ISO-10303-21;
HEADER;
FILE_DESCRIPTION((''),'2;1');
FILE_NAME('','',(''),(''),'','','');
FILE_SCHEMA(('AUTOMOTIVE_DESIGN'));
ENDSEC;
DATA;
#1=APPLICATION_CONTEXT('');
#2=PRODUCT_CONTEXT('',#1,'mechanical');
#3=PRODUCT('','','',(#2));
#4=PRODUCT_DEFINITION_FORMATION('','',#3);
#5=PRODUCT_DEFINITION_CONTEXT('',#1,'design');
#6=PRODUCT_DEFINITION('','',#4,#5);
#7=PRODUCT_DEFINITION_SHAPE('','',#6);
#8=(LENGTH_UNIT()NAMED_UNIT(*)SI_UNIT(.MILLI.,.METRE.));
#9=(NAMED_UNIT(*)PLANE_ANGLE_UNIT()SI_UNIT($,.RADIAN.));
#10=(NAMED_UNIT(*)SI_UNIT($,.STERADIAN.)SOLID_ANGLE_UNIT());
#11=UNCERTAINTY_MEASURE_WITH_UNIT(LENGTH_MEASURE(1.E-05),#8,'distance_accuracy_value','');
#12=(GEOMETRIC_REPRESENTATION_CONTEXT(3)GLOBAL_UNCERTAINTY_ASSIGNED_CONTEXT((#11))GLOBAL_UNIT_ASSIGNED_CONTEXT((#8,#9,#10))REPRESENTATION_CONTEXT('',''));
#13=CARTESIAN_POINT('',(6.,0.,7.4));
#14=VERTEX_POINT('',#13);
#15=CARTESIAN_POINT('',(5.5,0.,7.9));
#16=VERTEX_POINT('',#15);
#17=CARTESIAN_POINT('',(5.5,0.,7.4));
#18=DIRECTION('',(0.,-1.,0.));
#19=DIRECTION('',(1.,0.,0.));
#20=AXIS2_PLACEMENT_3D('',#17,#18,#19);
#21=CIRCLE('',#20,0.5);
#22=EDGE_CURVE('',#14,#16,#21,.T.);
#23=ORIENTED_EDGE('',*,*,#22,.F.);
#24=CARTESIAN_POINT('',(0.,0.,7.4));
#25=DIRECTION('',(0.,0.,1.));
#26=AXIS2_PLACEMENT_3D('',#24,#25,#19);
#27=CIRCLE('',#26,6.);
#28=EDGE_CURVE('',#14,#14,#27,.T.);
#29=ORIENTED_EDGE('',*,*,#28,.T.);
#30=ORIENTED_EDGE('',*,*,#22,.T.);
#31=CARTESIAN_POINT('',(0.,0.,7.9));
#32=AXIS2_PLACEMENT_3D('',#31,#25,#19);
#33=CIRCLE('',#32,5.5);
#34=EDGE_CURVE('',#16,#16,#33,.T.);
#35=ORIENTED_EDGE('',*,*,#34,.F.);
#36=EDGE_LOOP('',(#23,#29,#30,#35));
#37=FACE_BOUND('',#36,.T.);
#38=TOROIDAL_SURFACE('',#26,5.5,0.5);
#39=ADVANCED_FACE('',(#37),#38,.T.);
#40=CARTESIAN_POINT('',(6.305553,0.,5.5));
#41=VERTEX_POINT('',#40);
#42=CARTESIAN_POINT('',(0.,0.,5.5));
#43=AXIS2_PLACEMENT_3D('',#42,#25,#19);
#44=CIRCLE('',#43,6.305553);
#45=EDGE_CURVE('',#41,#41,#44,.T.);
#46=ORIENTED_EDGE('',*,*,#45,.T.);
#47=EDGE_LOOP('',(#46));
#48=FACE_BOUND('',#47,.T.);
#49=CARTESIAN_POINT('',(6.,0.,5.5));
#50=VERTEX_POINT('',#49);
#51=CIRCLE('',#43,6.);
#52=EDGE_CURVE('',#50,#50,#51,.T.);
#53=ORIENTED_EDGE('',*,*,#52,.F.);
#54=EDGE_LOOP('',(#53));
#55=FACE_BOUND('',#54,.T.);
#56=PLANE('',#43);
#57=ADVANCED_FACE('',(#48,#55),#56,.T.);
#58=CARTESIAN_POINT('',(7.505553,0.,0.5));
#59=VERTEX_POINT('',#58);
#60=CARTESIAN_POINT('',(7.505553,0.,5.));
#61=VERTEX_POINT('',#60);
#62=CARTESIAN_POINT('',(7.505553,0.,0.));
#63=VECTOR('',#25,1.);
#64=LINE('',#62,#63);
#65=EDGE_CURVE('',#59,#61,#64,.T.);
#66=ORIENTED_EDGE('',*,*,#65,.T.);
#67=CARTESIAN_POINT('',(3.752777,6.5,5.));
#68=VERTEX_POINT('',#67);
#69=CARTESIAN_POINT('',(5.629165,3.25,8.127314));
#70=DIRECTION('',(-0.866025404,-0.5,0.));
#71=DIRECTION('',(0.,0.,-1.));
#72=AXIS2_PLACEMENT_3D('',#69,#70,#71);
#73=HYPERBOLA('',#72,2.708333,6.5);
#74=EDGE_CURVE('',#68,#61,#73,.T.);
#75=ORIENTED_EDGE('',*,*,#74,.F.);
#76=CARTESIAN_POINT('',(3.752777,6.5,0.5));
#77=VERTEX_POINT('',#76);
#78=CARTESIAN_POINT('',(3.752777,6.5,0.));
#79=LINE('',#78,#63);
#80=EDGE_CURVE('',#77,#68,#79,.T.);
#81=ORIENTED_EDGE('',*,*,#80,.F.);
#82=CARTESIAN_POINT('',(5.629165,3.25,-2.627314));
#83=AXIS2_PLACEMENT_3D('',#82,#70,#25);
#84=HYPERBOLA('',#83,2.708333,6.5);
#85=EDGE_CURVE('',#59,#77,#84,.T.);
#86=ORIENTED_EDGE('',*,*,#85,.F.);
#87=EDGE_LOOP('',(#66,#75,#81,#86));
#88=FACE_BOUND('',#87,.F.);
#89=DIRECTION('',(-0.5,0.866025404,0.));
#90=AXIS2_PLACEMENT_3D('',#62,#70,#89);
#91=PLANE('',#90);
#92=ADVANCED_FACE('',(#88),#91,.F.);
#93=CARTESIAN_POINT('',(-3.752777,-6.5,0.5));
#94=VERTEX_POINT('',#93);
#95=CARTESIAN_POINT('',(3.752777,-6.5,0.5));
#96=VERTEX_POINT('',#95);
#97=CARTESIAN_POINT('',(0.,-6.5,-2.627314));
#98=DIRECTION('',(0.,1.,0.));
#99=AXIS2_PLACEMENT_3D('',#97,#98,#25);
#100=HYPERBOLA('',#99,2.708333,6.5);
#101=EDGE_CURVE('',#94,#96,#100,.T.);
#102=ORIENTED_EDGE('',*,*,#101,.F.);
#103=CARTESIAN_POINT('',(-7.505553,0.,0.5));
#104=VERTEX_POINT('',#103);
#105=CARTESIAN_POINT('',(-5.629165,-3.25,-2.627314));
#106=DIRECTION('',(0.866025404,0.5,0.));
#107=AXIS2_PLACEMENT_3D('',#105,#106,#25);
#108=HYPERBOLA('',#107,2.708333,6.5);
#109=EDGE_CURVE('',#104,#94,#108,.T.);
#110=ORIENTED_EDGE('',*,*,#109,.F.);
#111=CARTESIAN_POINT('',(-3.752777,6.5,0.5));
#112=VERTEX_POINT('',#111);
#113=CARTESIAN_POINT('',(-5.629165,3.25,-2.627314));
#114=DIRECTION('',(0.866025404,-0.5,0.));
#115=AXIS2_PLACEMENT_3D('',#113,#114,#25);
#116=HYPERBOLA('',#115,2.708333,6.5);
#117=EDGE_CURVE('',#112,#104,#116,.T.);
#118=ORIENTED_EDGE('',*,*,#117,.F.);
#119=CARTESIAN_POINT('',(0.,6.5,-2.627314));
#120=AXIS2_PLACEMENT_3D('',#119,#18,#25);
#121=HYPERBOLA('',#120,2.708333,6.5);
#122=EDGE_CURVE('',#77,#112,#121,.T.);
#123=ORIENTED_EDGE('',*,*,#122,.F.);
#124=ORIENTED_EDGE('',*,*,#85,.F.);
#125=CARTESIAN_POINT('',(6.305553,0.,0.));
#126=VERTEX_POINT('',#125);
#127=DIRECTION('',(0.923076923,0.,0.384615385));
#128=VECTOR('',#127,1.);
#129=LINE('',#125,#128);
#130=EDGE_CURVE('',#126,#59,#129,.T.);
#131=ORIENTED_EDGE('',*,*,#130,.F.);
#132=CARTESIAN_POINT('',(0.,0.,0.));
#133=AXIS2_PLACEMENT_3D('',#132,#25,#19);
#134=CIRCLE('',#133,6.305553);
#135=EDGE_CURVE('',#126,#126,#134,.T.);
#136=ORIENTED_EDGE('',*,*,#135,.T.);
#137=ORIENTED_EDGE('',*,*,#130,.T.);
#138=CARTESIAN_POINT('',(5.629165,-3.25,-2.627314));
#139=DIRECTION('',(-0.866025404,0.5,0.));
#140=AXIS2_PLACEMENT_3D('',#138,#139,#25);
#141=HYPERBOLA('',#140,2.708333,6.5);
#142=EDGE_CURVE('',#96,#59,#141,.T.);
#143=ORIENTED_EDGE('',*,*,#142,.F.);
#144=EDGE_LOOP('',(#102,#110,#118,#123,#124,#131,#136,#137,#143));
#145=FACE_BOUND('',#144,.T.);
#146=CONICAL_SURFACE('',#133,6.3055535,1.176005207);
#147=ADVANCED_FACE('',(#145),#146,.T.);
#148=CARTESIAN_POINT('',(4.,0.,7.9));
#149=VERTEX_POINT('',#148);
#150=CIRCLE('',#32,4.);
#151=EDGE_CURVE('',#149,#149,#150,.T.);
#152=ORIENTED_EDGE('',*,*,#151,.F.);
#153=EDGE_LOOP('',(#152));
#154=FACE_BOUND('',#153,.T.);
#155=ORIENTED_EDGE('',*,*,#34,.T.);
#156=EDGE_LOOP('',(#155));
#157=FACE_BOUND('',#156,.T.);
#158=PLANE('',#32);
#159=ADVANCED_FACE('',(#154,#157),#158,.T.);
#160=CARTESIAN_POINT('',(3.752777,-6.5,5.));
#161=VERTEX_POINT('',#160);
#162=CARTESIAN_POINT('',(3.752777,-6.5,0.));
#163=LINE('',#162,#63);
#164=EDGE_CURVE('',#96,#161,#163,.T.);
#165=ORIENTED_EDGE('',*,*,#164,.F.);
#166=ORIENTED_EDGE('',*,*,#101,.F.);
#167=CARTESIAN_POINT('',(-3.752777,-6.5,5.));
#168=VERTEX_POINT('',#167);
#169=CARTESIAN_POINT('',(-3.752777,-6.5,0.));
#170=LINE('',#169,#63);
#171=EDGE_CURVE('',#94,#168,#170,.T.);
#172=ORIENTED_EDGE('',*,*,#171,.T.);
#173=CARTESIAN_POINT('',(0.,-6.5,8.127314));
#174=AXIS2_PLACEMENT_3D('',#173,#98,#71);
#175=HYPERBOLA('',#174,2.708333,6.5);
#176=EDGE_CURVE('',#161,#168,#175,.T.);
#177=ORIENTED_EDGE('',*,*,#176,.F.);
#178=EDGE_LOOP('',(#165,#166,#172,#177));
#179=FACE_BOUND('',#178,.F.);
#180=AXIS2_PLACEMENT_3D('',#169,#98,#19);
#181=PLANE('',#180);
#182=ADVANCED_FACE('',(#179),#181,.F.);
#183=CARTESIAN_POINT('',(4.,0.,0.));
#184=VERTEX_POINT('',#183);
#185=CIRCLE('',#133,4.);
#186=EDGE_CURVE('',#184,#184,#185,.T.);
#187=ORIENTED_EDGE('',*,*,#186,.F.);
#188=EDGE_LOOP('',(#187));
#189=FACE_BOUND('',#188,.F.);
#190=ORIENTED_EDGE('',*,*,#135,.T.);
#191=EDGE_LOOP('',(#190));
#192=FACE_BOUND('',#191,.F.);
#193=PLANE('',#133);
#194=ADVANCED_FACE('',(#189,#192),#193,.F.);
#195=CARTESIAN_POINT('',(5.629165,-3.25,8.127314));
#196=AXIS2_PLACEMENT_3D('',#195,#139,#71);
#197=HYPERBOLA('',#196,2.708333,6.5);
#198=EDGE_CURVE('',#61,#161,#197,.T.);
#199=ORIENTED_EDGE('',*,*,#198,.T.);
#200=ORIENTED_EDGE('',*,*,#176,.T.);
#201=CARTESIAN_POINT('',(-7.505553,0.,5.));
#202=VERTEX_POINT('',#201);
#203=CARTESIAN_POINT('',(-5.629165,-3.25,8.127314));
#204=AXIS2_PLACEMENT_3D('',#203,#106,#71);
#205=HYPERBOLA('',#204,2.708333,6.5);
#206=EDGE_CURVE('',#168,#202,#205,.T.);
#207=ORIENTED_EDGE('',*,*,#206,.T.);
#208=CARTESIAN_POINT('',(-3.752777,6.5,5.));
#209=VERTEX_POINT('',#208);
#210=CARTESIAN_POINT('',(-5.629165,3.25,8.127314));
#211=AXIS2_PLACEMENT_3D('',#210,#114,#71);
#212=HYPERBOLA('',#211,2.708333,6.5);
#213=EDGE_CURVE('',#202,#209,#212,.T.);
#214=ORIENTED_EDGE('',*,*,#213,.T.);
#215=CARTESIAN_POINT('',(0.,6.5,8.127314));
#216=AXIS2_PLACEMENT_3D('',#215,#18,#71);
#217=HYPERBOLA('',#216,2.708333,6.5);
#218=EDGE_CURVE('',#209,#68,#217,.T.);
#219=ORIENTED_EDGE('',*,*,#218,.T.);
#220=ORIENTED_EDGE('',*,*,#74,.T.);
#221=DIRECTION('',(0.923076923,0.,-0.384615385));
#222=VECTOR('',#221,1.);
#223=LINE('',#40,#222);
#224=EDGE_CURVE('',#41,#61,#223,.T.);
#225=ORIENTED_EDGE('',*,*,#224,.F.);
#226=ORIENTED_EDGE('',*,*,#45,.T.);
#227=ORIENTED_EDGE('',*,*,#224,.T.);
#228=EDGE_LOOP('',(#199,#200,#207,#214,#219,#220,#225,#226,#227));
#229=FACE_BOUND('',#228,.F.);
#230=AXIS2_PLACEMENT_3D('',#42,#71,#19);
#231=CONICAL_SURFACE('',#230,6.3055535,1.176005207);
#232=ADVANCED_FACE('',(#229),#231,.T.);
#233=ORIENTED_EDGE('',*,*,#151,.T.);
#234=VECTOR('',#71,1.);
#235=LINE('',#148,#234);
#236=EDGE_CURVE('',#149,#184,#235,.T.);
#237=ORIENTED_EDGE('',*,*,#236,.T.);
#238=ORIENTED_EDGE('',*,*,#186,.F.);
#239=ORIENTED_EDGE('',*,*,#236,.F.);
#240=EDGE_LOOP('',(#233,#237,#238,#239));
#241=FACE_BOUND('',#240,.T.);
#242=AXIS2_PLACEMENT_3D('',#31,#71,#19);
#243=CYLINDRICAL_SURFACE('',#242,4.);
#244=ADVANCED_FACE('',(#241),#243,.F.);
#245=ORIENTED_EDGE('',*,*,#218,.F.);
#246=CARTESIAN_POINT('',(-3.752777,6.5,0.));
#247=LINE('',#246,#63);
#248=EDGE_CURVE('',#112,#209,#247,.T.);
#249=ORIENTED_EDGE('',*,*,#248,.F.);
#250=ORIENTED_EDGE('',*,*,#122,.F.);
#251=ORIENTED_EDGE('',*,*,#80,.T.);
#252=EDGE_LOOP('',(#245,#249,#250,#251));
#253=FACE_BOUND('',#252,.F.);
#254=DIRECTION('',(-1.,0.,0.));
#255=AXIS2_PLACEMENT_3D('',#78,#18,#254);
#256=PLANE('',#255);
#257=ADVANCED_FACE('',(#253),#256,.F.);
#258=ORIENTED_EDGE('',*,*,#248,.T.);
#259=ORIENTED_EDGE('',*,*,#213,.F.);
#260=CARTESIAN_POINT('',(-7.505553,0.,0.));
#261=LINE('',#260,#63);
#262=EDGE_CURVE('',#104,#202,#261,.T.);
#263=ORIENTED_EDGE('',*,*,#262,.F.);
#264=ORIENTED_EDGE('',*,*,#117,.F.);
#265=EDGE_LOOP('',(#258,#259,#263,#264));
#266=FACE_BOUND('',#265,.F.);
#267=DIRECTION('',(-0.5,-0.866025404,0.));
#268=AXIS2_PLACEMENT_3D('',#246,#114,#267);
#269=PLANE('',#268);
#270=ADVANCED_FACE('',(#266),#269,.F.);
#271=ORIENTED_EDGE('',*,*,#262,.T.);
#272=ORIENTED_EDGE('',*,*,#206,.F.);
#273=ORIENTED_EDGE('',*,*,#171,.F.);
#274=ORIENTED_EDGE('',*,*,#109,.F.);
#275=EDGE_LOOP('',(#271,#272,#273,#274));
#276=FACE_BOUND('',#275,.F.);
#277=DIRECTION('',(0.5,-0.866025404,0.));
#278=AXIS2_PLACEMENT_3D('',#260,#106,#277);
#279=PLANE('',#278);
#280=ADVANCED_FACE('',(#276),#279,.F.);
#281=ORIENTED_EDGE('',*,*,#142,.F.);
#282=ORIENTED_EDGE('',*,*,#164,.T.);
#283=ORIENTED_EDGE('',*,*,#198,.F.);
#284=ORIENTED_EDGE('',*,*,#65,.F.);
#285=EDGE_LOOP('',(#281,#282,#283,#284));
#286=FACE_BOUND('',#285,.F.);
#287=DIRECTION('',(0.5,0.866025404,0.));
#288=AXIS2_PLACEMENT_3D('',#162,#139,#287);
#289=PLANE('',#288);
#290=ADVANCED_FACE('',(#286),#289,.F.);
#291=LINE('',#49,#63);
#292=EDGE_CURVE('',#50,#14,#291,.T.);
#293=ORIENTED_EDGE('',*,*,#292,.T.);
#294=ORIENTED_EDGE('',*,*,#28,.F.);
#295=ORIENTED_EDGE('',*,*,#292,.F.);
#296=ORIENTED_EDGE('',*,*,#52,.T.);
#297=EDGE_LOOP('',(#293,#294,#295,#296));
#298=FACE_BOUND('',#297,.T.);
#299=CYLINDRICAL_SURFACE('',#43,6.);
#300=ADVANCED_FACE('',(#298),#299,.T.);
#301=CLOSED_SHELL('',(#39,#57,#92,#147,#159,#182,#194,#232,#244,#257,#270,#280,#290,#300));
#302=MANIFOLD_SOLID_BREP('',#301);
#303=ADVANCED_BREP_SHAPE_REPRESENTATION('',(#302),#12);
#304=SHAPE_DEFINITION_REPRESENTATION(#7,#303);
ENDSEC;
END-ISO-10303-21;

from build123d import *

# Parameters (mm, degrees)
SKETCH007_R  = 4
PAD004_DEPTH = 5.5


with BuildPart() as part:
    # Sketch007 → Pad004 (new body)
    with BuildSketch(Plane.XY):
        Polygon((7.5055534995, 0), (3.7527767497, 6.5), (-3.7527767497, 6.5), (-7.5055534995, 0), (-3.7527767497, -6.5), (3.7527767497, -6.5), align=None)
        Circle(SKETCH007_R, mode=Mode.SUBTRACT)
    extrude(amount=PAD004_DEPTH)

    # Sketch008 → Revolution (revolve)
    with BuildSketch(Plane.XZ):
        with BuildLine():
            Line((4, 5.5), (6, 5.5))
            Line((6, 5.5), (6, 7.4))
            ThreePointArc((6, 7.4), (5.8535533906, 7.7535533906), (5.5, 7.9))
            Line((5.5, 7.9), (4, 7.9))
            Line((4, 7.9), (4, 5.5))
        make_face()
    revolve(axis=Axis((0, 0, 0), (0, 0, 1)))

    # Sketch009 → Groove001 (revolve, cut)
    with BuildSketch(Plane.XZ):
        Polygon((7.5055534995, 5.5), (6.3055534995, 5.5), (7.5055534995, 5), align=None)
        Polygon((7.5055534995, 0), (6.3055534995, 0), (7.5055534995, 0.5), align=None)
    revolve(axis=Axis((0, 0, 0), (0, 0, 1)), mode=Mode.SUBTRACT)


solid = part.part
